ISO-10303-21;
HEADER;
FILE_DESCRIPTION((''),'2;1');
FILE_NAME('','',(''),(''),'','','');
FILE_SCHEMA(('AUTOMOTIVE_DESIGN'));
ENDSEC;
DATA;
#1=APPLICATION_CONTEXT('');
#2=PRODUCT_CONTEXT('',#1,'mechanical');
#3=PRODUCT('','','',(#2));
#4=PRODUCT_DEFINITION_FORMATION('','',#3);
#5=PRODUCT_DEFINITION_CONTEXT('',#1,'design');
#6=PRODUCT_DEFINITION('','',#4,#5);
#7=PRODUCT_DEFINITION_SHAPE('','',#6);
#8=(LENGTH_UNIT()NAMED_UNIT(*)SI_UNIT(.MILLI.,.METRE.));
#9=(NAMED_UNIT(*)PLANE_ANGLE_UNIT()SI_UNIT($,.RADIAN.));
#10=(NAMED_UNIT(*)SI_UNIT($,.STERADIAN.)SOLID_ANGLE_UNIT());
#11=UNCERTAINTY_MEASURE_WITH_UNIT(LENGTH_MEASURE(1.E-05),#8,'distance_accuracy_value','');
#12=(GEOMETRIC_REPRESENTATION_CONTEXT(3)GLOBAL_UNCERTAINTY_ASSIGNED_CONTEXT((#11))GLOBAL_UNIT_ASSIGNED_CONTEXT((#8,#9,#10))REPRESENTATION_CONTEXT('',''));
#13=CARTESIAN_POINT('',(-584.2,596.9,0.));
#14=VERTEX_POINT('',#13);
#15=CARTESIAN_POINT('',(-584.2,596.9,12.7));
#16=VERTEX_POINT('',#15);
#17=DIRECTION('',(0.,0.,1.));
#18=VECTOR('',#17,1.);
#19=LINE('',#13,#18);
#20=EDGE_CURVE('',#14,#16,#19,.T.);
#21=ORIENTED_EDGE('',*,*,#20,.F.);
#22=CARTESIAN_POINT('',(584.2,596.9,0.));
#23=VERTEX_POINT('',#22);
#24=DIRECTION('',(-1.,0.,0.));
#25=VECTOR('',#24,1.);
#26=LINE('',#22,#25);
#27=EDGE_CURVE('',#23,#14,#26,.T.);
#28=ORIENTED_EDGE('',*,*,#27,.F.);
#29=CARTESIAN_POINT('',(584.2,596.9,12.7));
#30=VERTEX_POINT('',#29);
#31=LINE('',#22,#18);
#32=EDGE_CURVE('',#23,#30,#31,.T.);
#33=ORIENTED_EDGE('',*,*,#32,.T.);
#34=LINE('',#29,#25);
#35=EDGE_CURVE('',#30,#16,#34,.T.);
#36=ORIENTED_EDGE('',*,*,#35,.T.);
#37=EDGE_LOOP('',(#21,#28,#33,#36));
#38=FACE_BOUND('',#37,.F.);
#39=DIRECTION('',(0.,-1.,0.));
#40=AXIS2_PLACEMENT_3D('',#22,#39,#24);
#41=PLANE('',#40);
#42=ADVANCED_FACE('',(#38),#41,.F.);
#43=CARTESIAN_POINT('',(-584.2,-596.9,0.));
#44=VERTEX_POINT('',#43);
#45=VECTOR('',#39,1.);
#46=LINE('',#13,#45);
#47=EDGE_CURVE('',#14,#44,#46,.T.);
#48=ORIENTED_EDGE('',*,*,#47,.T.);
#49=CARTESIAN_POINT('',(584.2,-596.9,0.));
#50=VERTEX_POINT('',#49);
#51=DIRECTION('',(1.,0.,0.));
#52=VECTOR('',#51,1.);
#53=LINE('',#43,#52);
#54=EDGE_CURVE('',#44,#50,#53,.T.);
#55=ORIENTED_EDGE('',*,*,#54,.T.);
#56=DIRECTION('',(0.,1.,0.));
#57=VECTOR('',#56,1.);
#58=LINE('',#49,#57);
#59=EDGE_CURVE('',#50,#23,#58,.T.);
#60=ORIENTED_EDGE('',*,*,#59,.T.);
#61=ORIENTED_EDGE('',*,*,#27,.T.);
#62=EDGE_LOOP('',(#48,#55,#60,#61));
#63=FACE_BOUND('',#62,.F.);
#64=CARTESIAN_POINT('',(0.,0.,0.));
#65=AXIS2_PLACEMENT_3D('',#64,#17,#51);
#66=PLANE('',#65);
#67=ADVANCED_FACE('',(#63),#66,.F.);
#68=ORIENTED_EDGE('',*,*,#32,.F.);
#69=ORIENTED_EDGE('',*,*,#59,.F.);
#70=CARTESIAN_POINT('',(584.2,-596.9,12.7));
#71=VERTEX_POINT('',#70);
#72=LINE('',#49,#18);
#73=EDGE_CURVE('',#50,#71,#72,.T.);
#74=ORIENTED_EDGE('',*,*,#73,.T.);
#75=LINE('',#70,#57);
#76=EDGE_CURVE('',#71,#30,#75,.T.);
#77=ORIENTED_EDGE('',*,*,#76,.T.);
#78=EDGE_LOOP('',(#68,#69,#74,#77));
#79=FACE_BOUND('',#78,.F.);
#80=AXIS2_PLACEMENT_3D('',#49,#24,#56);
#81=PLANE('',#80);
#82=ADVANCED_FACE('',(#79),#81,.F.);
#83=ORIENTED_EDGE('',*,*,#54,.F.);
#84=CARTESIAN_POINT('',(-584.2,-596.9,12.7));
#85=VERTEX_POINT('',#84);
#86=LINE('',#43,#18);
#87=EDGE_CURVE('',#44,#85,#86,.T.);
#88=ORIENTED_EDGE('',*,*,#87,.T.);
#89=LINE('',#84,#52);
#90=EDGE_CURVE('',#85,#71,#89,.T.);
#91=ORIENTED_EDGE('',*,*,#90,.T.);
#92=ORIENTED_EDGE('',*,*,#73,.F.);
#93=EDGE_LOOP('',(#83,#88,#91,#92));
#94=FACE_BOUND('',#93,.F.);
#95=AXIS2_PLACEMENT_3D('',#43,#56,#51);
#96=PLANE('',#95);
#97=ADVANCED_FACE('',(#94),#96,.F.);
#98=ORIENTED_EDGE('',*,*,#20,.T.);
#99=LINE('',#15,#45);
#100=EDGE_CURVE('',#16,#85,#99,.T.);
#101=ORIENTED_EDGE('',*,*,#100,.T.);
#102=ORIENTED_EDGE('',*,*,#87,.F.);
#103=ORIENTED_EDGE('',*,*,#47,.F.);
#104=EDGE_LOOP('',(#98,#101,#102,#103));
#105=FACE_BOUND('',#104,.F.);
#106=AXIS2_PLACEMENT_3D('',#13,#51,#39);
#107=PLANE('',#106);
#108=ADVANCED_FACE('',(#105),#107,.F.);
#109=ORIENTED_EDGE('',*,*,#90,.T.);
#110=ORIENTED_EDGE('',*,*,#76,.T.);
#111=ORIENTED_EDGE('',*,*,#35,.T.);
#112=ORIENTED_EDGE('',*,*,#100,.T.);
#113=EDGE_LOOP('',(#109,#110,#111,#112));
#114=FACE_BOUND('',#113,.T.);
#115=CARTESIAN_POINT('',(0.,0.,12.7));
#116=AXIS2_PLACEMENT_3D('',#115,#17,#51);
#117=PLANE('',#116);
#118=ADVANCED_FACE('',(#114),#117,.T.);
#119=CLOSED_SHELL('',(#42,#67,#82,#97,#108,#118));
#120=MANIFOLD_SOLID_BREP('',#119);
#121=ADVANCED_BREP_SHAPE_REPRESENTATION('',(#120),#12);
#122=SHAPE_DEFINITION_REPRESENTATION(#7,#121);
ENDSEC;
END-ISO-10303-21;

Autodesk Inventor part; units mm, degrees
ref_plane "YZ Plane" through (0, 0, 0) normal (1, 0, 0) x (0, 1, 0)
ref_plane "XZ Plane" through (0, 0, 0) normal (0, 1, 0) x (-1, 0, 0)
ref_plane "XY Plane" through (0, 0, 0) normal (0, 0, 1) x (1, 0, 0)
sketch "Sketch1" plane through (0, 0, 0) normal (0, 0, 1) x (1, 0, 0)
  line L0 (-584.2, -596.9) -> (584.2, -596.9)
  line L1 (584.2, -596.9) -> (584.2, 596.9)
  line L2 (584.2, 596.9) -> (-584.2, 596.9)
  line L3 (-584.2, 596.9) -> (-584.2, -596.9)
  line L4 (-584.2, -596.9) -> (584.2, 596.9) construction
  line L5 (584.2, -596.9) -> (-584.2, 596.9) construction
  point P0 (0, 0)
  dimension "d0" = 1168.4
  dimension "d1" = 1193.8
extrude "Extrusion1" add sketch "Sketch1" along normal blind 12.7
properties part number "back_1_1"
